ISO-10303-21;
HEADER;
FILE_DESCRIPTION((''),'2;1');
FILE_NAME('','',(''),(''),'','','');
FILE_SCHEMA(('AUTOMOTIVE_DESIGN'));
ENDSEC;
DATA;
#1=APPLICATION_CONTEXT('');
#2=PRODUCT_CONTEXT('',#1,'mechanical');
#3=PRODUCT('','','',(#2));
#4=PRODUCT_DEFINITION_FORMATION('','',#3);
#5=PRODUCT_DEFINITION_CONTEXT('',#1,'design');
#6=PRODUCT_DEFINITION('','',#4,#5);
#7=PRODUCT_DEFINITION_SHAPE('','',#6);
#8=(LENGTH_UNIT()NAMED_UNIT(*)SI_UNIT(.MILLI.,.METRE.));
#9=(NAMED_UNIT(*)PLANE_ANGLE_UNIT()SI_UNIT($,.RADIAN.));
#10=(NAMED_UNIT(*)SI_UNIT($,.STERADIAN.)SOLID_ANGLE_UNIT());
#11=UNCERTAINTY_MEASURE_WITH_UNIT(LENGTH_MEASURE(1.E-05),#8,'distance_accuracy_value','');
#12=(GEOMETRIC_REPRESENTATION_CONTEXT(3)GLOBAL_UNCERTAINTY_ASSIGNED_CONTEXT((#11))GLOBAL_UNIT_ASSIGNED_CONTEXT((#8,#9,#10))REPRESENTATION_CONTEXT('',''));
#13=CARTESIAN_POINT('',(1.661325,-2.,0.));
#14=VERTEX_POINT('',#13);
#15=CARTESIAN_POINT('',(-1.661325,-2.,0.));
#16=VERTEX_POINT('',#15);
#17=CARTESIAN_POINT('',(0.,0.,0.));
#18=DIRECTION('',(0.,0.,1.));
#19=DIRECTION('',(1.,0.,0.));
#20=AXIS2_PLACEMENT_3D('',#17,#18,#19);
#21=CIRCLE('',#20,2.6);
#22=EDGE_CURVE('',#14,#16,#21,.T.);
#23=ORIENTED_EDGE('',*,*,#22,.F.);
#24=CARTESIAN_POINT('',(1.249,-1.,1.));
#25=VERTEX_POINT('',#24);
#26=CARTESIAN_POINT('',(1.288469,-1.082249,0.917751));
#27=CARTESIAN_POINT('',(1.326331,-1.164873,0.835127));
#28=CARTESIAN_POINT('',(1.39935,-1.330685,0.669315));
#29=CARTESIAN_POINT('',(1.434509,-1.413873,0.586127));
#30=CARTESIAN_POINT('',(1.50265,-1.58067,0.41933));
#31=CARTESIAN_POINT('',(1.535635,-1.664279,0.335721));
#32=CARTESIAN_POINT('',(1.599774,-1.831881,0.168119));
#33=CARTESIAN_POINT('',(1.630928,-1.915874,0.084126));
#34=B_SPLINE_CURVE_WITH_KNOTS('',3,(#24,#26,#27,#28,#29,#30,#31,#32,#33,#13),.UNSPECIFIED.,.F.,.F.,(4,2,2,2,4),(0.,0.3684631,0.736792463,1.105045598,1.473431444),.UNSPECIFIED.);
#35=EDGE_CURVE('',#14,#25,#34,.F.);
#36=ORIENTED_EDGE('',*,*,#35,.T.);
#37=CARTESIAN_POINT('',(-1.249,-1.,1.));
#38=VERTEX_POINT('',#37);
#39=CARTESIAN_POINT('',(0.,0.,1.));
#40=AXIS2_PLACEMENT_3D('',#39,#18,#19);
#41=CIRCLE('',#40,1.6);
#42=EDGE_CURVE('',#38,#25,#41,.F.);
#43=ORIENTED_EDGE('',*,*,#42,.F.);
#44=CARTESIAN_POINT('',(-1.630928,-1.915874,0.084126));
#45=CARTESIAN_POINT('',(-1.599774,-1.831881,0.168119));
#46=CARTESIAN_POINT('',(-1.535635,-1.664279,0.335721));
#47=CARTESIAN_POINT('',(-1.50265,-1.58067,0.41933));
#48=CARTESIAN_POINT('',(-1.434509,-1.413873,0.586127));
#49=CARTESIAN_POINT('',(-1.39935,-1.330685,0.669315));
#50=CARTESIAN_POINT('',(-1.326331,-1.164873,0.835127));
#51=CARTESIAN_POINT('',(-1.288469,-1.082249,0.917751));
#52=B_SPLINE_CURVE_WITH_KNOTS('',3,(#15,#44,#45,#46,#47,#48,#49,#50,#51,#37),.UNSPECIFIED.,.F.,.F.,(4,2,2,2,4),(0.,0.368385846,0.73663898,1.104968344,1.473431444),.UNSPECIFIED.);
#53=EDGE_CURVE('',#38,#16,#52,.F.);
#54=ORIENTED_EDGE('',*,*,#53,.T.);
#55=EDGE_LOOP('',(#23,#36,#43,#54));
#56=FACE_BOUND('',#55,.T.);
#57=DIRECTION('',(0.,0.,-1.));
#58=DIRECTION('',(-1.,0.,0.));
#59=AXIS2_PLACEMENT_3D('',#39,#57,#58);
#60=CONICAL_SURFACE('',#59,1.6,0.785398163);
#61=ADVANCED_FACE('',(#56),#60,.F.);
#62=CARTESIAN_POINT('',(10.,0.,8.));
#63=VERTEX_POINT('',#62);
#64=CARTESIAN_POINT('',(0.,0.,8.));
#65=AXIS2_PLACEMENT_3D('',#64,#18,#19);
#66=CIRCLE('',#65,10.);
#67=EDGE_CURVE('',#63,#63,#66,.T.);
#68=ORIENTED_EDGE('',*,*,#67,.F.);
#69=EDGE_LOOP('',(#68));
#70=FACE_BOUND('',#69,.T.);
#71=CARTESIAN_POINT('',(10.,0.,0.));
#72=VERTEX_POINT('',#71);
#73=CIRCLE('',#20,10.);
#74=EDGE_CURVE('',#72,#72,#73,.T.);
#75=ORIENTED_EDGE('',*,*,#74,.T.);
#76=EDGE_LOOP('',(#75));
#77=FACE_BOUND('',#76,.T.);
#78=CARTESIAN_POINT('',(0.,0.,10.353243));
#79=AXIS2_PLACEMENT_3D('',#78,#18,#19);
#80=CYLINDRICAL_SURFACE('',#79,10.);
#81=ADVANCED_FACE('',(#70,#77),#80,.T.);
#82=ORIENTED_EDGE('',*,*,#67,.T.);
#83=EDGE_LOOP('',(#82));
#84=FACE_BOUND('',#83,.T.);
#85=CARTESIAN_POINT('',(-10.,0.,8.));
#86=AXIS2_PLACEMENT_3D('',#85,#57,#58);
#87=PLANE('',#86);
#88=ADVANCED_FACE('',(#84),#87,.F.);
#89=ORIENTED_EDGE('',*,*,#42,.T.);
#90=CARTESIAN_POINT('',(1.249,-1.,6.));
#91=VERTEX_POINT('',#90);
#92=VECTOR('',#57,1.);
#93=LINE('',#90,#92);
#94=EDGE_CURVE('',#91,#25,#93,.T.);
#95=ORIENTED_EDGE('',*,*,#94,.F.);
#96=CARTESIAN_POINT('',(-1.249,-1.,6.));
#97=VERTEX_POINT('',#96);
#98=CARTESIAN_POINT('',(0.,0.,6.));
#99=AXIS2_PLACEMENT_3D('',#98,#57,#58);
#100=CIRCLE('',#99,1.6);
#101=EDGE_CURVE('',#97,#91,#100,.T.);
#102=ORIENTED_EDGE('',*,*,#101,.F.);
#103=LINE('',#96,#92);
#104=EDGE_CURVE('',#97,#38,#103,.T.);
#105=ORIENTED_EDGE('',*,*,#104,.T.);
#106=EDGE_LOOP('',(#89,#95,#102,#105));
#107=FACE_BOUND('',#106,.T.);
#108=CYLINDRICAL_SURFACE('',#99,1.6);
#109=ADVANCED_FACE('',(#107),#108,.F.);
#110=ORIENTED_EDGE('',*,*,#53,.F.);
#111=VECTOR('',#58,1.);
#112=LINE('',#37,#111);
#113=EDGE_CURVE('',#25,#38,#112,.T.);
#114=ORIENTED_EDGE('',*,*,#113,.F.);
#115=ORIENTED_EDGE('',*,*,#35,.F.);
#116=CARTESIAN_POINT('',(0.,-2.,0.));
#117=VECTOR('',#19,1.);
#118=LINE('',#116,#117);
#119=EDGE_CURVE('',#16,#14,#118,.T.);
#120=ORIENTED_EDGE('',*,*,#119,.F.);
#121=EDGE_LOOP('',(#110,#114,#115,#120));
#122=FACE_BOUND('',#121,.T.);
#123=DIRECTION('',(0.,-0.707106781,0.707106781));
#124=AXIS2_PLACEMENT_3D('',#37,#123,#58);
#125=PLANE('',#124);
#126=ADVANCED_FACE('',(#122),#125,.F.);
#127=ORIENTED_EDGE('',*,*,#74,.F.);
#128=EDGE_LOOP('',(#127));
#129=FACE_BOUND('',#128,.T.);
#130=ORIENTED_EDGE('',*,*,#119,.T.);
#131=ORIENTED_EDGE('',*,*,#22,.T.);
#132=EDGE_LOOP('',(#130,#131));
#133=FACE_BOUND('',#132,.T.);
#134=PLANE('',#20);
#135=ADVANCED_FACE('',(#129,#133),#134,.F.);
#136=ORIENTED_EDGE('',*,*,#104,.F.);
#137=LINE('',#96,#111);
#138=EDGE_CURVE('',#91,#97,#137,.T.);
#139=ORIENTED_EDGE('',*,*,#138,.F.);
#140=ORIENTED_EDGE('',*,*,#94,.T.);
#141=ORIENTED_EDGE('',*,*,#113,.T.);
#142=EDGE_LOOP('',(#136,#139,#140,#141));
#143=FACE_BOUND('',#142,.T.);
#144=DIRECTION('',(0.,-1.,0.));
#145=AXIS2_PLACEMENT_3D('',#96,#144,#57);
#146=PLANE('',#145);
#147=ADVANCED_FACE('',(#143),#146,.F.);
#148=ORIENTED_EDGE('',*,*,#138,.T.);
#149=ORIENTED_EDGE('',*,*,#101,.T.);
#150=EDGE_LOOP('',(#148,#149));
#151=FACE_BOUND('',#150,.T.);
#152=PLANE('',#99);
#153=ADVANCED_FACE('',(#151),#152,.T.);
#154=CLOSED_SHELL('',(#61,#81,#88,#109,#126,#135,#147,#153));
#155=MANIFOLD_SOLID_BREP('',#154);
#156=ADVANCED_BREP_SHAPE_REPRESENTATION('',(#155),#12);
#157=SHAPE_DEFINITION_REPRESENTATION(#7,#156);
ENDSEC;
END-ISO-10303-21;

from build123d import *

# Parameters (mm, degrees)
SKETCH_1_W            = 10
SKETCH_1_H            = 8
CUT_EXTRUDE_928_DEPTH = 6
CHAMFER_1_SIZE        = 1


with BuildPart() as part:
    # Эскиз1 → Повернуть1 (revolve)
    with BuildSketch(Plane(origin=(0, 0, 0), x_dir=(1, 0, 0), z_dir=(0, 1, 0))):
        with Locations((-5, -4)):
            Rectangle(SKETCH_1_W, SKETCH_1_H)
    revolve(axis=Axis((0, 0, 10.353242845), (0, 0, -1)))

    # Эскиз2 → Cut-Extrude 928 (cut)
    with BuildSketch(Plane(origin=(0, 0, 0), x_dir=(-1, 0, 0), z_dir=(0, 0, -1))):
        with BuildLine():
            Line((1.2489996, -1), (-1.2489996, -1))
            ThreePointArc((-1.2489996, -1), (0, 1.6), (1.2489996, -1))
        make_face()
    extrude(amount=-CUT_EXTRUDE_928_DEPTH, mode=Mode.SUBTRACT)

    # Фаска1
    chamfer_1_edges = [part.edges().sort_by_distance(p)[0] for p in [
        (0, 1.6, 0),
        (0, -1, 0),
    ]]
    chamfer(chamfer_1_edges, length=CHAMFER_1_SIZE)


solid = part.part
